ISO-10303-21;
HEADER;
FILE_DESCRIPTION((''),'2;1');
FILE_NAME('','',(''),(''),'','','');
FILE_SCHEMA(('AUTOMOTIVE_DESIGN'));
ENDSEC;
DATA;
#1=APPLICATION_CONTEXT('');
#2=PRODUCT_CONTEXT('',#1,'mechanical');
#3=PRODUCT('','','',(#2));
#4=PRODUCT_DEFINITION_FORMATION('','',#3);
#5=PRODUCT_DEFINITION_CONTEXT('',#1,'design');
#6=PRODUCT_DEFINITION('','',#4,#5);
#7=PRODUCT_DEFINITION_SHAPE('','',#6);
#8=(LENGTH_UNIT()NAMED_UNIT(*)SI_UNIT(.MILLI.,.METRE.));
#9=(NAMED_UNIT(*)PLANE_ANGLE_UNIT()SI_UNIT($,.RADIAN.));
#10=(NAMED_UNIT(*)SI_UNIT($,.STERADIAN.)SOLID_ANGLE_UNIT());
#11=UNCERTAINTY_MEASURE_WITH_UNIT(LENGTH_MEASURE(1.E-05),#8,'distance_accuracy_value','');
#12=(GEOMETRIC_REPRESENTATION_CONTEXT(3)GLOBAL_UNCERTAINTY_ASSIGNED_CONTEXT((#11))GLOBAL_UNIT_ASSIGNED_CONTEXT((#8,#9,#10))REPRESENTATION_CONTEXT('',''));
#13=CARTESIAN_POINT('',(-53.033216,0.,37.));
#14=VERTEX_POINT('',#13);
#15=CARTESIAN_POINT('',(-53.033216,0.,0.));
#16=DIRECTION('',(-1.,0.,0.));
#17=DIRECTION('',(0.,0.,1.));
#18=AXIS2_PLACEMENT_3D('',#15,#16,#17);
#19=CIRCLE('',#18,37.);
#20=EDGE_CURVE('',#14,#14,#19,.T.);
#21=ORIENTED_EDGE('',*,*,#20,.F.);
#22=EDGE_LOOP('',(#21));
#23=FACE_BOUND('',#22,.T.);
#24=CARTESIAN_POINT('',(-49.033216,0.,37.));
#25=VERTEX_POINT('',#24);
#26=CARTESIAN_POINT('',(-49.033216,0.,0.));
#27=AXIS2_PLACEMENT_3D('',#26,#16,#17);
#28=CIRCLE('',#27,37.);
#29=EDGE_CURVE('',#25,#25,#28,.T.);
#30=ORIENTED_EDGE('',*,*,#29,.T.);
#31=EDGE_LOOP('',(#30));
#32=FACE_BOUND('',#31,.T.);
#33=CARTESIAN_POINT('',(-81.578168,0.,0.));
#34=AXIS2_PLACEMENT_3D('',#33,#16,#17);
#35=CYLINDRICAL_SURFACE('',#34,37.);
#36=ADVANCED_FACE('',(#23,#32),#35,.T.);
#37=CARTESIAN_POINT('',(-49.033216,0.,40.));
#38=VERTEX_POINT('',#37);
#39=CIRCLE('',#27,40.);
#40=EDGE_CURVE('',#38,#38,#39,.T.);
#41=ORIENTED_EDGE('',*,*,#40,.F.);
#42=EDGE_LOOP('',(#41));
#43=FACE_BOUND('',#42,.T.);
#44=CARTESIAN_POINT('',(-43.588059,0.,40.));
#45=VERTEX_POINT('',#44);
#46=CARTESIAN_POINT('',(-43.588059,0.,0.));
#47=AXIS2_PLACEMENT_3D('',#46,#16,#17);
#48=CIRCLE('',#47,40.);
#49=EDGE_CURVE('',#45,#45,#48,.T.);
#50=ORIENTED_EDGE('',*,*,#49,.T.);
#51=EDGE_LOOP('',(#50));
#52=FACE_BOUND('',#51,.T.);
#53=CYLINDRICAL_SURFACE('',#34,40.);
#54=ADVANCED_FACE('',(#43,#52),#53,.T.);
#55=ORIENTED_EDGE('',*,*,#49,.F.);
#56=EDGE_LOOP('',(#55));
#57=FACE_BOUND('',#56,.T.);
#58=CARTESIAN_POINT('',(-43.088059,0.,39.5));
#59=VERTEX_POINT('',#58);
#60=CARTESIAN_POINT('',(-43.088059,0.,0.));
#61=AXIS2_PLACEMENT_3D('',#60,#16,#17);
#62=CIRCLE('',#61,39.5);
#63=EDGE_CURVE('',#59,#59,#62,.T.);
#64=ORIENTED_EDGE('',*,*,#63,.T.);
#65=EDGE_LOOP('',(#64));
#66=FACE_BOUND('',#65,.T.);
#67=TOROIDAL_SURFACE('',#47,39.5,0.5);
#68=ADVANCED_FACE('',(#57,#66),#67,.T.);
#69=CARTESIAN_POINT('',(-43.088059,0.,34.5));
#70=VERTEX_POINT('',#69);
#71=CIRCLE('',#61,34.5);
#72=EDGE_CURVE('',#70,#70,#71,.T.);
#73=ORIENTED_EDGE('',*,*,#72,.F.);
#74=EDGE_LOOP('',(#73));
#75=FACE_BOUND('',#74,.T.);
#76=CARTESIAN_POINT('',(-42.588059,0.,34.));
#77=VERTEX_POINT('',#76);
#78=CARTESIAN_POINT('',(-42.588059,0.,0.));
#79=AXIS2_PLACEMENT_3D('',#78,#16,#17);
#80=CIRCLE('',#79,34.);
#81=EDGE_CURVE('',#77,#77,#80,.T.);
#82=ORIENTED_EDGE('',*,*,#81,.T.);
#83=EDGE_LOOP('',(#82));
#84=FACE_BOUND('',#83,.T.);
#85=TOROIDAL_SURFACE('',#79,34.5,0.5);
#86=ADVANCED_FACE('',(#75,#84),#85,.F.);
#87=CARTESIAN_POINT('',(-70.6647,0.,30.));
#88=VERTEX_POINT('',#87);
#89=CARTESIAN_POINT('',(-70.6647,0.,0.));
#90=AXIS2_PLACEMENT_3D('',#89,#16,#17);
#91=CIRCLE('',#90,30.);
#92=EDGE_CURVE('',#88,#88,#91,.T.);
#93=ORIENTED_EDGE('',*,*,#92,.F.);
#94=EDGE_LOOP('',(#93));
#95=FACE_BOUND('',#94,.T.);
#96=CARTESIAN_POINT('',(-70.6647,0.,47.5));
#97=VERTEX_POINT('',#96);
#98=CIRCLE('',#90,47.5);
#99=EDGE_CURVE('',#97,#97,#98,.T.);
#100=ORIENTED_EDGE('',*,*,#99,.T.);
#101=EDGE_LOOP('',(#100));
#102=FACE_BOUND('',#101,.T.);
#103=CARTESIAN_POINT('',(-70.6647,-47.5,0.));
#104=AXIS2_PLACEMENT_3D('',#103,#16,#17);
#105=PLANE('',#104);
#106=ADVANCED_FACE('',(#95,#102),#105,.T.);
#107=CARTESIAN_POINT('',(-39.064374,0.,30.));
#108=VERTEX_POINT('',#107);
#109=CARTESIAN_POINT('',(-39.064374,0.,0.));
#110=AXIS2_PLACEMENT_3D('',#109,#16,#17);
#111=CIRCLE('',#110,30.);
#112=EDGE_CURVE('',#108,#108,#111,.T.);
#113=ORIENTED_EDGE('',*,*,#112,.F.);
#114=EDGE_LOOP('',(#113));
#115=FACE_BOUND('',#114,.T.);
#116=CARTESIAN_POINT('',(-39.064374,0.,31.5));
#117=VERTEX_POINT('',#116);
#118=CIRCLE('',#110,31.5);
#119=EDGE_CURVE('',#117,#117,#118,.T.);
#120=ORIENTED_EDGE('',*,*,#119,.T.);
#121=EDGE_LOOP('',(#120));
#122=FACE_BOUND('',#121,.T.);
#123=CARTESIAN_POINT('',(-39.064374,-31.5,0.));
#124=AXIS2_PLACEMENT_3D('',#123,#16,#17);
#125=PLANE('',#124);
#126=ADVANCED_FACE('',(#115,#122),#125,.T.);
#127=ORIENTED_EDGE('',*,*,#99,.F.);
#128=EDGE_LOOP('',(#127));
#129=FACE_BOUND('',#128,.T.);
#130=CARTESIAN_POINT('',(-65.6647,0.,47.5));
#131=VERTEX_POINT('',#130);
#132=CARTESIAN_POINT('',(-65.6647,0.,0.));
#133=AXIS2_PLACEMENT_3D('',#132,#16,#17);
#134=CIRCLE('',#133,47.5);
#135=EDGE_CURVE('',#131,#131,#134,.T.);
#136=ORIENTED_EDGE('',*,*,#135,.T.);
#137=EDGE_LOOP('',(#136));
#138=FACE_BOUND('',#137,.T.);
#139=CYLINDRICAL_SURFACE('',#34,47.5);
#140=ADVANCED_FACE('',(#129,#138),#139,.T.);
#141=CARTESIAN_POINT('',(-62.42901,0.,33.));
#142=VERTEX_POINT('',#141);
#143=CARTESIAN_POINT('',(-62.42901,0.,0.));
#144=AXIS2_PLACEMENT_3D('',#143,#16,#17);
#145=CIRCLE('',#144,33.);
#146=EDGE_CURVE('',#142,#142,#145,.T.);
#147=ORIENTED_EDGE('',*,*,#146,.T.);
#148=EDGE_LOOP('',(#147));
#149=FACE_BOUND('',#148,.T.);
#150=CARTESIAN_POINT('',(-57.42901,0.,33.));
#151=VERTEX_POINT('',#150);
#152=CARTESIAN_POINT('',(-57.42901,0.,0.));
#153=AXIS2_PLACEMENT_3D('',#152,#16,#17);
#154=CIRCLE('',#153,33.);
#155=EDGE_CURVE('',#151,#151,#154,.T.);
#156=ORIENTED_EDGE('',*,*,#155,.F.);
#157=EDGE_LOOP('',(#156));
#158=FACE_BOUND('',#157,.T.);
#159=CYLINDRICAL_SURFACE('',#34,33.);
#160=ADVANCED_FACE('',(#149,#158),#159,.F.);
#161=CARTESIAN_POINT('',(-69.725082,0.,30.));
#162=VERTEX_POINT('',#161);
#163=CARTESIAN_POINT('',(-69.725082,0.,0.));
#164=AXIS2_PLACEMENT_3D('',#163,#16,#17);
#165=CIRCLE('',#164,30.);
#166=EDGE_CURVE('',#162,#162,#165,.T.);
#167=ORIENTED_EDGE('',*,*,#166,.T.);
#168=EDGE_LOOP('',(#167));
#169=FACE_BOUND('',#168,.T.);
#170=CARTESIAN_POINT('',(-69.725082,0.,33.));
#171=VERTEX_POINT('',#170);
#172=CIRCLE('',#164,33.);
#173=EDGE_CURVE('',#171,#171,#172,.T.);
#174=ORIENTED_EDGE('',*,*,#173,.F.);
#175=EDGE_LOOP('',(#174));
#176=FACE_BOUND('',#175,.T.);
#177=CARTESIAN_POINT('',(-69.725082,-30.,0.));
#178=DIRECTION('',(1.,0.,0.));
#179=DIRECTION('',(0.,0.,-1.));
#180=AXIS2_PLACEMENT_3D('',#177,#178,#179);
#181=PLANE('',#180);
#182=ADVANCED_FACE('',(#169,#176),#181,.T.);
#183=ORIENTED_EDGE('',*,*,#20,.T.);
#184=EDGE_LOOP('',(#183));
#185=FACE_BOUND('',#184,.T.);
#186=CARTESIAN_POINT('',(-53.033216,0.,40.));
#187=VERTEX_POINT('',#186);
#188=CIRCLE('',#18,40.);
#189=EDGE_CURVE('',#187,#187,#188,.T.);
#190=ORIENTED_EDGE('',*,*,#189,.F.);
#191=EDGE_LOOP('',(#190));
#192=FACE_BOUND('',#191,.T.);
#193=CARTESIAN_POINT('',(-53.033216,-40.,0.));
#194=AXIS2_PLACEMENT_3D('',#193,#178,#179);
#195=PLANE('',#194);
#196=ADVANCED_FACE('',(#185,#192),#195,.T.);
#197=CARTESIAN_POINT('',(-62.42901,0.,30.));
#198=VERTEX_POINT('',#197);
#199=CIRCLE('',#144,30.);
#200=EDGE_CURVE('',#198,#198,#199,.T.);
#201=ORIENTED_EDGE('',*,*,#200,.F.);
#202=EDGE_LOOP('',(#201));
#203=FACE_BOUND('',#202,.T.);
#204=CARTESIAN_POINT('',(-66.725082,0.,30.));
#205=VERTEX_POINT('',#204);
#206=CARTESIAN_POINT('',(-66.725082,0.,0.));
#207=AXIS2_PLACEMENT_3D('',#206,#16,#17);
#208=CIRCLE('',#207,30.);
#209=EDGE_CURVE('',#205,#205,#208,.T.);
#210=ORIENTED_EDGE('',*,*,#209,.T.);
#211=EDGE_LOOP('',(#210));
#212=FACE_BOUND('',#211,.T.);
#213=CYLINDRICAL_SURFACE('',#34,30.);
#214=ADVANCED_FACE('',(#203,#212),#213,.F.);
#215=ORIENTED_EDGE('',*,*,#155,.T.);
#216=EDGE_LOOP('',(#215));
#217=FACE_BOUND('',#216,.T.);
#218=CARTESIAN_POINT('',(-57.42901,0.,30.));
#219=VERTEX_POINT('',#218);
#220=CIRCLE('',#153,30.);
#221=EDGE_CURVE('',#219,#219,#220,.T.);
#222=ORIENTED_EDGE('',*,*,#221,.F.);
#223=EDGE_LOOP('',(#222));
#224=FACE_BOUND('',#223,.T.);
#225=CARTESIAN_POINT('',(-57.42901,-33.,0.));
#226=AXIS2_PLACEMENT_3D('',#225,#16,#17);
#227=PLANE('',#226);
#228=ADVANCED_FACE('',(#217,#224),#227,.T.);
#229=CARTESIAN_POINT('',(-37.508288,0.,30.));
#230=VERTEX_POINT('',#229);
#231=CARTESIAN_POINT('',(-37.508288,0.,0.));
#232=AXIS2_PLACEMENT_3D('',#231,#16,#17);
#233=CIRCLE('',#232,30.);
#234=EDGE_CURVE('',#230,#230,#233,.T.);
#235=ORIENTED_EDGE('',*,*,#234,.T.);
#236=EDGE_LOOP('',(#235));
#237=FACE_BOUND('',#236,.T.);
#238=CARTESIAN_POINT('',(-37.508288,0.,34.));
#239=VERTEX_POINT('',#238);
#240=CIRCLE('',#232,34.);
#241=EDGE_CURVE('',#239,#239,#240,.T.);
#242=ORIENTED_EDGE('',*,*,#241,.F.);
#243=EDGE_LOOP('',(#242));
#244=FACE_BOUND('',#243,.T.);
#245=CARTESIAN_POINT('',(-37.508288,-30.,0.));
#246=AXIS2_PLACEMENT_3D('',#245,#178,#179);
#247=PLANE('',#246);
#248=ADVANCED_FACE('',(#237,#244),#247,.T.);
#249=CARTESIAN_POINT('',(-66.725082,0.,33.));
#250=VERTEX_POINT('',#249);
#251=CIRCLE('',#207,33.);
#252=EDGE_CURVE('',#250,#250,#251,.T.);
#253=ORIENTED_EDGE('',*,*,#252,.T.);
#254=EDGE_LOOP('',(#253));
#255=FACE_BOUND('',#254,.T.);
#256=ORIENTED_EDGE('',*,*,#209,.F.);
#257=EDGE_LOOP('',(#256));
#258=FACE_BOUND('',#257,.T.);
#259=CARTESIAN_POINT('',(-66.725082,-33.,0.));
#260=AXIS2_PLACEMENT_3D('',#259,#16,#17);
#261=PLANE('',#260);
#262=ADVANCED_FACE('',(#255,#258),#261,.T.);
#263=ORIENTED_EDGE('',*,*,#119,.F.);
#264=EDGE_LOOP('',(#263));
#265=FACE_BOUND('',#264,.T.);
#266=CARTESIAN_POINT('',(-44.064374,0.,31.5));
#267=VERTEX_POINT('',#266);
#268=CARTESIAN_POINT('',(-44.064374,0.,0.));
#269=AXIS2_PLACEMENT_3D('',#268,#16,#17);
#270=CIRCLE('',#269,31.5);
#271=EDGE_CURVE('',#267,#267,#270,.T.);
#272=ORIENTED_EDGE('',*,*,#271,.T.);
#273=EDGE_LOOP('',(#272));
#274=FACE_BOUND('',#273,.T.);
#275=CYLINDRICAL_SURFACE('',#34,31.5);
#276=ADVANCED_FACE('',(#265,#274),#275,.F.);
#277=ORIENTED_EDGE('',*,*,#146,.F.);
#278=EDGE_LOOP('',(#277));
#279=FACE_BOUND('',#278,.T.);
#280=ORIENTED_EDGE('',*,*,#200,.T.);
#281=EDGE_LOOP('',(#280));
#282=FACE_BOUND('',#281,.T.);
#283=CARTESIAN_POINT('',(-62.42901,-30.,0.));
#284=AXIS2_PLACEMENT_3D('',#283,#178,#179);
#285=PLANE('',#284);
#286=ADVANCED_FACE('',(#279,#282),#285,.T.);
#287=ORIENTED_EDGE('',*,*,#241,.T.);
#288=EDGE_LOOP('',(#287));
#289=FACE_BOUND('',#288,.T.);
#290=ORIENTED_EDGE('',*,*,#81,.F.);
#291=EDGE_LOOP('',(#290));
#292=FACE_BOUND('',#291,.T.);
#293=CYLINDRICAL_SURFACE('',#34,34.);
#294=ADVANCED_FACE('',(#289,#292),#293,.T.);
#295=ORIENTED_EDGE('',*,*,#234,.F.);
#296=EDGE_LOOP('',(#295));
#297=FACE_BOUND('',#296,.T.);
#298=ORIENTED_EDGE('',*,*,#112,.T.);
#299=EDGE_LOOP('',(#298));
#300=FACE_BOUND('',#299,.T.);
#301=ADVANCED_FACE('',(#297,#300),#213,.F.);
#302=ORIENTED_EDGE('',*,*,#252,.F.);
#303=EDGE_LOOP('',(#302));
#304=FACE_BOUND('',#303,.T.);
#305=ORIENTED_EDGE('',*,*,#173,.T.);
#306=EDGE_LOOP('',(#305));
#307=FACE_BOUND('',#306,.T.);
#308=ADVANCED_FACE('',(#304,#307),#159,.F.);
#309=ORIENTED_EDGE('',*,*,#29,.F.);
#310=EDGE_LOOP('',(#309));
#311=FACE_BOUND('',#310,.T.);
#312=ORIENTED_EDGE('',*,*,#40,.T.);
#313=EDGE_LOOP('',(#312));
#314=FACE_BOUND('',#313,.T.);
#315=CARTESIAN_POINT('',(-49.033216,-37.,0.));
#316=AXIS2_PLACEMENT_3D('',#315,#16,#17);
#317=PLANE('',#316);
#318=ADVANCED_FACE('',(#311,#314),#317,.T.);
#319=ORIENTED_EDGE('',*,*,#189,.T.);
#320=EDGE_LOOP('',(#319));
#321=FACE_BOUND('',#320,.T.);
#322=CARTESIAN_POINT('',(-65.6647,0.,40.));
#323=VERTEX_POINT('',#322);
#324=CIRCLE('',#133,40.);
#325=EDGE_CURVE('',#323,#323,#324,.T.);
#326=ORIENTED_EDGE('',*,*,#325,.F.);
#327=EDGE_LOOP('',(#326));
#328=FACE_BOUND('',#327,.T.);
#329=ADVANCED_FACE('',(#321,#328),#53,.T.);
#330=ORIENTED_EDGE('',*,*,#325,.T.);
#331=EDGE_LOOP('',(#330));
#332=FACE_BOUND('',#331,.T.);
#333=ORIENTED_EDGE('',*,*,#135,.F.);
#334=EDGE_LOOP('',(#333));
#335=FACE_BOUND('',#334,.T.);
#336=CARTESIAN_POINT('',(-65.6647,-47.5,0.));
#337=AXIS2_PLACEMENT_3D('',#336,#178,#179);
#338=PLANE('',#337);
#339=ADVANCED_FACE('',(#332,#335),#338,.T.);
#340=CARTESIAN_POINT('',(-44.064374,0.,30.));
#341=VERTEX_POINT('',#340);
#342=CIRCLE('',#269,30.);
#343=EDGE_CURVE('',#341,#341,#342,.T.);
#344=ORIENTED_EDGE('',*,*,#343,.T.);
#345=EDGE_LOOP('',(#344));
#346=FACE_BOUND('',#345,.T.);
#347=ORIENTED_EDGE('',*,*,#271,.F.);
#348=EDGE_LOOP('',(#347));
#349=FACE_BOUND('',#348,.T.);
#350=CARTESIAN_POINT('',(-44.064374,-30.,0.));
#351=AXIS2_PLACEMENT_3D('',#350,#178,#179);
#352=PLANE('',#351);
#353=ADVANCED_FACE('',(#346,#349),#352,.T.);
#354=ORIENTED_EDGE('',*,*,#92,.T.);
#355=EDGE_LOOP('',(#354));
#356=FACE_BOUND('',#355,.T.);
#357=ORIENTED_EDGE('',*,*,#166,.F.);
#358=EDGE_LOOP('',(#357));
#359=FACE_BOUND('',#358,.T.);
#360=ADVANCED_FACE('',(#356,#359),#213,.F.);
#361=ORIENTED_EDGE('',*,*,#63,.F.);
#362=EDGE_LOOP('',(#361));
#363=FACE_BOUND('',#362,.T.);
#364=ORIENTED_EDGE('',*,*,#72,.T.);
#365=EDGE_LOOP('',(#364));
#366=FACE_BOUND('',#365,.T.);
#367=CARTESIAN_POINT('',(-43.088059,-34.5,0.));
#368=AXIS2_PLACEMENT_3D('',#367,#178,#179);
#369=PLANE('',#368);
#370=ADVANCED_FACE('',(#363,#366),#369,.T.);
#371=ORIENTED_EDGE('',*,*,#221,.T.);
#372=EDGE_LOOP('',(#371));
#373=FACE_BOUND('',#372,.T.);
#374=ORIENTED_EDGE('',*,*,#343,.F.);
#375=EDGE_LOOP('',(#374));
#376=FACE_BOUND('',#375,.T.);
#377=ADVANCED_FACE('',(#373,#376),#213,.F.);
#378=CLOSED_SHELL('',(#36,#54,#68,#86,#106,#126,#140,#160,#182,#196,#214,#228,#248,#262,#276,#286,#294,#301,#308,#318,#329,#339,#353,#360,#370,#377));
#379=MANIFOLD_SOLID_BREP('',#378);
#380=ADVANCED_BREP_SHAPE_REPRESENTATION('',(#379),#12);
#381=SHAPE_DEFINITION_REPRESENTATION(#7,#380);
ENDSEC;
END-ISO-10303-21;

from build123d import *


with BuildPart() as part:
    # Sketch1 → Revolve1 (revolve)
    with BuildSketch(Plane.XY):
        with BuildLine():
            Line((-70.664700289, -47.5), (-65.664700289, -47.5))
            Line((-65.664700289, -47.5), (-65.664700289, -40))
            Line((-65.664700289, -40), (-53.033215522, -40))
            Line((-53.033215522, -40), (-53.033215522, -37))
            Line((-53.033215522, -37), (-49.033215522, -37))
            Line((-49.033215522, -37), (-49.033215522, -40))
            Line((-49.033215522, -40), (-43.588058898, -40))
            ThreePointArc((-43.588058898, -40), (-43.234505508, -39.853553391), (-43.088058898, -39.5))
            Line((-43.088058898, -39.5), (-43.088058898, -34.5))
            ThreePointArc((-43.088058898, -34.5), (-42.941612289, -34.146446609), (-42.588058898, -34))
            Line((-42.588058898, -34), (-37.50828788, -34))
            Line((-37.50828788, -34), (-37.50828788, -30))
            Line((-37.50828788, -30), (-39.064374409, -30))
            Line((-39.064374409, -30), (-39.064374409, -31.5))
            Line((-39.064374409, -31.5), (-44.064374409, -31.5))
            Line((-44.064374409, -31.5), (-44.064374409, -30))
            Line((-44.064374409, -30), (-57.429010066, -30))
            Line((-57.429010066, -30), (-57.429010066, -33))
            Line((-57.429010066, -33), (-62.429010066, -33))
            Line((-62.429010066, -33), (-62.429010066, -30))
            Line((-62.429010066, -30), (-66.725082253, -30))
            Line((-66.725082253, -30), (-66.725082253, -33))
            Line((-66.725082253, -33), (-69.725082253, -33))
            Line((-69.725082253, -33), (-69.725082253, -30))
            Line((-69.725082253, -30), (-70.664700289, -30))
            Line((-70.664700289, -30), (-70.664700289, -47.5))
        make_face()
    revolve(axis=Axis((-81.578167515, 0, 0), (1, 0, 0)))


solid = part.part
